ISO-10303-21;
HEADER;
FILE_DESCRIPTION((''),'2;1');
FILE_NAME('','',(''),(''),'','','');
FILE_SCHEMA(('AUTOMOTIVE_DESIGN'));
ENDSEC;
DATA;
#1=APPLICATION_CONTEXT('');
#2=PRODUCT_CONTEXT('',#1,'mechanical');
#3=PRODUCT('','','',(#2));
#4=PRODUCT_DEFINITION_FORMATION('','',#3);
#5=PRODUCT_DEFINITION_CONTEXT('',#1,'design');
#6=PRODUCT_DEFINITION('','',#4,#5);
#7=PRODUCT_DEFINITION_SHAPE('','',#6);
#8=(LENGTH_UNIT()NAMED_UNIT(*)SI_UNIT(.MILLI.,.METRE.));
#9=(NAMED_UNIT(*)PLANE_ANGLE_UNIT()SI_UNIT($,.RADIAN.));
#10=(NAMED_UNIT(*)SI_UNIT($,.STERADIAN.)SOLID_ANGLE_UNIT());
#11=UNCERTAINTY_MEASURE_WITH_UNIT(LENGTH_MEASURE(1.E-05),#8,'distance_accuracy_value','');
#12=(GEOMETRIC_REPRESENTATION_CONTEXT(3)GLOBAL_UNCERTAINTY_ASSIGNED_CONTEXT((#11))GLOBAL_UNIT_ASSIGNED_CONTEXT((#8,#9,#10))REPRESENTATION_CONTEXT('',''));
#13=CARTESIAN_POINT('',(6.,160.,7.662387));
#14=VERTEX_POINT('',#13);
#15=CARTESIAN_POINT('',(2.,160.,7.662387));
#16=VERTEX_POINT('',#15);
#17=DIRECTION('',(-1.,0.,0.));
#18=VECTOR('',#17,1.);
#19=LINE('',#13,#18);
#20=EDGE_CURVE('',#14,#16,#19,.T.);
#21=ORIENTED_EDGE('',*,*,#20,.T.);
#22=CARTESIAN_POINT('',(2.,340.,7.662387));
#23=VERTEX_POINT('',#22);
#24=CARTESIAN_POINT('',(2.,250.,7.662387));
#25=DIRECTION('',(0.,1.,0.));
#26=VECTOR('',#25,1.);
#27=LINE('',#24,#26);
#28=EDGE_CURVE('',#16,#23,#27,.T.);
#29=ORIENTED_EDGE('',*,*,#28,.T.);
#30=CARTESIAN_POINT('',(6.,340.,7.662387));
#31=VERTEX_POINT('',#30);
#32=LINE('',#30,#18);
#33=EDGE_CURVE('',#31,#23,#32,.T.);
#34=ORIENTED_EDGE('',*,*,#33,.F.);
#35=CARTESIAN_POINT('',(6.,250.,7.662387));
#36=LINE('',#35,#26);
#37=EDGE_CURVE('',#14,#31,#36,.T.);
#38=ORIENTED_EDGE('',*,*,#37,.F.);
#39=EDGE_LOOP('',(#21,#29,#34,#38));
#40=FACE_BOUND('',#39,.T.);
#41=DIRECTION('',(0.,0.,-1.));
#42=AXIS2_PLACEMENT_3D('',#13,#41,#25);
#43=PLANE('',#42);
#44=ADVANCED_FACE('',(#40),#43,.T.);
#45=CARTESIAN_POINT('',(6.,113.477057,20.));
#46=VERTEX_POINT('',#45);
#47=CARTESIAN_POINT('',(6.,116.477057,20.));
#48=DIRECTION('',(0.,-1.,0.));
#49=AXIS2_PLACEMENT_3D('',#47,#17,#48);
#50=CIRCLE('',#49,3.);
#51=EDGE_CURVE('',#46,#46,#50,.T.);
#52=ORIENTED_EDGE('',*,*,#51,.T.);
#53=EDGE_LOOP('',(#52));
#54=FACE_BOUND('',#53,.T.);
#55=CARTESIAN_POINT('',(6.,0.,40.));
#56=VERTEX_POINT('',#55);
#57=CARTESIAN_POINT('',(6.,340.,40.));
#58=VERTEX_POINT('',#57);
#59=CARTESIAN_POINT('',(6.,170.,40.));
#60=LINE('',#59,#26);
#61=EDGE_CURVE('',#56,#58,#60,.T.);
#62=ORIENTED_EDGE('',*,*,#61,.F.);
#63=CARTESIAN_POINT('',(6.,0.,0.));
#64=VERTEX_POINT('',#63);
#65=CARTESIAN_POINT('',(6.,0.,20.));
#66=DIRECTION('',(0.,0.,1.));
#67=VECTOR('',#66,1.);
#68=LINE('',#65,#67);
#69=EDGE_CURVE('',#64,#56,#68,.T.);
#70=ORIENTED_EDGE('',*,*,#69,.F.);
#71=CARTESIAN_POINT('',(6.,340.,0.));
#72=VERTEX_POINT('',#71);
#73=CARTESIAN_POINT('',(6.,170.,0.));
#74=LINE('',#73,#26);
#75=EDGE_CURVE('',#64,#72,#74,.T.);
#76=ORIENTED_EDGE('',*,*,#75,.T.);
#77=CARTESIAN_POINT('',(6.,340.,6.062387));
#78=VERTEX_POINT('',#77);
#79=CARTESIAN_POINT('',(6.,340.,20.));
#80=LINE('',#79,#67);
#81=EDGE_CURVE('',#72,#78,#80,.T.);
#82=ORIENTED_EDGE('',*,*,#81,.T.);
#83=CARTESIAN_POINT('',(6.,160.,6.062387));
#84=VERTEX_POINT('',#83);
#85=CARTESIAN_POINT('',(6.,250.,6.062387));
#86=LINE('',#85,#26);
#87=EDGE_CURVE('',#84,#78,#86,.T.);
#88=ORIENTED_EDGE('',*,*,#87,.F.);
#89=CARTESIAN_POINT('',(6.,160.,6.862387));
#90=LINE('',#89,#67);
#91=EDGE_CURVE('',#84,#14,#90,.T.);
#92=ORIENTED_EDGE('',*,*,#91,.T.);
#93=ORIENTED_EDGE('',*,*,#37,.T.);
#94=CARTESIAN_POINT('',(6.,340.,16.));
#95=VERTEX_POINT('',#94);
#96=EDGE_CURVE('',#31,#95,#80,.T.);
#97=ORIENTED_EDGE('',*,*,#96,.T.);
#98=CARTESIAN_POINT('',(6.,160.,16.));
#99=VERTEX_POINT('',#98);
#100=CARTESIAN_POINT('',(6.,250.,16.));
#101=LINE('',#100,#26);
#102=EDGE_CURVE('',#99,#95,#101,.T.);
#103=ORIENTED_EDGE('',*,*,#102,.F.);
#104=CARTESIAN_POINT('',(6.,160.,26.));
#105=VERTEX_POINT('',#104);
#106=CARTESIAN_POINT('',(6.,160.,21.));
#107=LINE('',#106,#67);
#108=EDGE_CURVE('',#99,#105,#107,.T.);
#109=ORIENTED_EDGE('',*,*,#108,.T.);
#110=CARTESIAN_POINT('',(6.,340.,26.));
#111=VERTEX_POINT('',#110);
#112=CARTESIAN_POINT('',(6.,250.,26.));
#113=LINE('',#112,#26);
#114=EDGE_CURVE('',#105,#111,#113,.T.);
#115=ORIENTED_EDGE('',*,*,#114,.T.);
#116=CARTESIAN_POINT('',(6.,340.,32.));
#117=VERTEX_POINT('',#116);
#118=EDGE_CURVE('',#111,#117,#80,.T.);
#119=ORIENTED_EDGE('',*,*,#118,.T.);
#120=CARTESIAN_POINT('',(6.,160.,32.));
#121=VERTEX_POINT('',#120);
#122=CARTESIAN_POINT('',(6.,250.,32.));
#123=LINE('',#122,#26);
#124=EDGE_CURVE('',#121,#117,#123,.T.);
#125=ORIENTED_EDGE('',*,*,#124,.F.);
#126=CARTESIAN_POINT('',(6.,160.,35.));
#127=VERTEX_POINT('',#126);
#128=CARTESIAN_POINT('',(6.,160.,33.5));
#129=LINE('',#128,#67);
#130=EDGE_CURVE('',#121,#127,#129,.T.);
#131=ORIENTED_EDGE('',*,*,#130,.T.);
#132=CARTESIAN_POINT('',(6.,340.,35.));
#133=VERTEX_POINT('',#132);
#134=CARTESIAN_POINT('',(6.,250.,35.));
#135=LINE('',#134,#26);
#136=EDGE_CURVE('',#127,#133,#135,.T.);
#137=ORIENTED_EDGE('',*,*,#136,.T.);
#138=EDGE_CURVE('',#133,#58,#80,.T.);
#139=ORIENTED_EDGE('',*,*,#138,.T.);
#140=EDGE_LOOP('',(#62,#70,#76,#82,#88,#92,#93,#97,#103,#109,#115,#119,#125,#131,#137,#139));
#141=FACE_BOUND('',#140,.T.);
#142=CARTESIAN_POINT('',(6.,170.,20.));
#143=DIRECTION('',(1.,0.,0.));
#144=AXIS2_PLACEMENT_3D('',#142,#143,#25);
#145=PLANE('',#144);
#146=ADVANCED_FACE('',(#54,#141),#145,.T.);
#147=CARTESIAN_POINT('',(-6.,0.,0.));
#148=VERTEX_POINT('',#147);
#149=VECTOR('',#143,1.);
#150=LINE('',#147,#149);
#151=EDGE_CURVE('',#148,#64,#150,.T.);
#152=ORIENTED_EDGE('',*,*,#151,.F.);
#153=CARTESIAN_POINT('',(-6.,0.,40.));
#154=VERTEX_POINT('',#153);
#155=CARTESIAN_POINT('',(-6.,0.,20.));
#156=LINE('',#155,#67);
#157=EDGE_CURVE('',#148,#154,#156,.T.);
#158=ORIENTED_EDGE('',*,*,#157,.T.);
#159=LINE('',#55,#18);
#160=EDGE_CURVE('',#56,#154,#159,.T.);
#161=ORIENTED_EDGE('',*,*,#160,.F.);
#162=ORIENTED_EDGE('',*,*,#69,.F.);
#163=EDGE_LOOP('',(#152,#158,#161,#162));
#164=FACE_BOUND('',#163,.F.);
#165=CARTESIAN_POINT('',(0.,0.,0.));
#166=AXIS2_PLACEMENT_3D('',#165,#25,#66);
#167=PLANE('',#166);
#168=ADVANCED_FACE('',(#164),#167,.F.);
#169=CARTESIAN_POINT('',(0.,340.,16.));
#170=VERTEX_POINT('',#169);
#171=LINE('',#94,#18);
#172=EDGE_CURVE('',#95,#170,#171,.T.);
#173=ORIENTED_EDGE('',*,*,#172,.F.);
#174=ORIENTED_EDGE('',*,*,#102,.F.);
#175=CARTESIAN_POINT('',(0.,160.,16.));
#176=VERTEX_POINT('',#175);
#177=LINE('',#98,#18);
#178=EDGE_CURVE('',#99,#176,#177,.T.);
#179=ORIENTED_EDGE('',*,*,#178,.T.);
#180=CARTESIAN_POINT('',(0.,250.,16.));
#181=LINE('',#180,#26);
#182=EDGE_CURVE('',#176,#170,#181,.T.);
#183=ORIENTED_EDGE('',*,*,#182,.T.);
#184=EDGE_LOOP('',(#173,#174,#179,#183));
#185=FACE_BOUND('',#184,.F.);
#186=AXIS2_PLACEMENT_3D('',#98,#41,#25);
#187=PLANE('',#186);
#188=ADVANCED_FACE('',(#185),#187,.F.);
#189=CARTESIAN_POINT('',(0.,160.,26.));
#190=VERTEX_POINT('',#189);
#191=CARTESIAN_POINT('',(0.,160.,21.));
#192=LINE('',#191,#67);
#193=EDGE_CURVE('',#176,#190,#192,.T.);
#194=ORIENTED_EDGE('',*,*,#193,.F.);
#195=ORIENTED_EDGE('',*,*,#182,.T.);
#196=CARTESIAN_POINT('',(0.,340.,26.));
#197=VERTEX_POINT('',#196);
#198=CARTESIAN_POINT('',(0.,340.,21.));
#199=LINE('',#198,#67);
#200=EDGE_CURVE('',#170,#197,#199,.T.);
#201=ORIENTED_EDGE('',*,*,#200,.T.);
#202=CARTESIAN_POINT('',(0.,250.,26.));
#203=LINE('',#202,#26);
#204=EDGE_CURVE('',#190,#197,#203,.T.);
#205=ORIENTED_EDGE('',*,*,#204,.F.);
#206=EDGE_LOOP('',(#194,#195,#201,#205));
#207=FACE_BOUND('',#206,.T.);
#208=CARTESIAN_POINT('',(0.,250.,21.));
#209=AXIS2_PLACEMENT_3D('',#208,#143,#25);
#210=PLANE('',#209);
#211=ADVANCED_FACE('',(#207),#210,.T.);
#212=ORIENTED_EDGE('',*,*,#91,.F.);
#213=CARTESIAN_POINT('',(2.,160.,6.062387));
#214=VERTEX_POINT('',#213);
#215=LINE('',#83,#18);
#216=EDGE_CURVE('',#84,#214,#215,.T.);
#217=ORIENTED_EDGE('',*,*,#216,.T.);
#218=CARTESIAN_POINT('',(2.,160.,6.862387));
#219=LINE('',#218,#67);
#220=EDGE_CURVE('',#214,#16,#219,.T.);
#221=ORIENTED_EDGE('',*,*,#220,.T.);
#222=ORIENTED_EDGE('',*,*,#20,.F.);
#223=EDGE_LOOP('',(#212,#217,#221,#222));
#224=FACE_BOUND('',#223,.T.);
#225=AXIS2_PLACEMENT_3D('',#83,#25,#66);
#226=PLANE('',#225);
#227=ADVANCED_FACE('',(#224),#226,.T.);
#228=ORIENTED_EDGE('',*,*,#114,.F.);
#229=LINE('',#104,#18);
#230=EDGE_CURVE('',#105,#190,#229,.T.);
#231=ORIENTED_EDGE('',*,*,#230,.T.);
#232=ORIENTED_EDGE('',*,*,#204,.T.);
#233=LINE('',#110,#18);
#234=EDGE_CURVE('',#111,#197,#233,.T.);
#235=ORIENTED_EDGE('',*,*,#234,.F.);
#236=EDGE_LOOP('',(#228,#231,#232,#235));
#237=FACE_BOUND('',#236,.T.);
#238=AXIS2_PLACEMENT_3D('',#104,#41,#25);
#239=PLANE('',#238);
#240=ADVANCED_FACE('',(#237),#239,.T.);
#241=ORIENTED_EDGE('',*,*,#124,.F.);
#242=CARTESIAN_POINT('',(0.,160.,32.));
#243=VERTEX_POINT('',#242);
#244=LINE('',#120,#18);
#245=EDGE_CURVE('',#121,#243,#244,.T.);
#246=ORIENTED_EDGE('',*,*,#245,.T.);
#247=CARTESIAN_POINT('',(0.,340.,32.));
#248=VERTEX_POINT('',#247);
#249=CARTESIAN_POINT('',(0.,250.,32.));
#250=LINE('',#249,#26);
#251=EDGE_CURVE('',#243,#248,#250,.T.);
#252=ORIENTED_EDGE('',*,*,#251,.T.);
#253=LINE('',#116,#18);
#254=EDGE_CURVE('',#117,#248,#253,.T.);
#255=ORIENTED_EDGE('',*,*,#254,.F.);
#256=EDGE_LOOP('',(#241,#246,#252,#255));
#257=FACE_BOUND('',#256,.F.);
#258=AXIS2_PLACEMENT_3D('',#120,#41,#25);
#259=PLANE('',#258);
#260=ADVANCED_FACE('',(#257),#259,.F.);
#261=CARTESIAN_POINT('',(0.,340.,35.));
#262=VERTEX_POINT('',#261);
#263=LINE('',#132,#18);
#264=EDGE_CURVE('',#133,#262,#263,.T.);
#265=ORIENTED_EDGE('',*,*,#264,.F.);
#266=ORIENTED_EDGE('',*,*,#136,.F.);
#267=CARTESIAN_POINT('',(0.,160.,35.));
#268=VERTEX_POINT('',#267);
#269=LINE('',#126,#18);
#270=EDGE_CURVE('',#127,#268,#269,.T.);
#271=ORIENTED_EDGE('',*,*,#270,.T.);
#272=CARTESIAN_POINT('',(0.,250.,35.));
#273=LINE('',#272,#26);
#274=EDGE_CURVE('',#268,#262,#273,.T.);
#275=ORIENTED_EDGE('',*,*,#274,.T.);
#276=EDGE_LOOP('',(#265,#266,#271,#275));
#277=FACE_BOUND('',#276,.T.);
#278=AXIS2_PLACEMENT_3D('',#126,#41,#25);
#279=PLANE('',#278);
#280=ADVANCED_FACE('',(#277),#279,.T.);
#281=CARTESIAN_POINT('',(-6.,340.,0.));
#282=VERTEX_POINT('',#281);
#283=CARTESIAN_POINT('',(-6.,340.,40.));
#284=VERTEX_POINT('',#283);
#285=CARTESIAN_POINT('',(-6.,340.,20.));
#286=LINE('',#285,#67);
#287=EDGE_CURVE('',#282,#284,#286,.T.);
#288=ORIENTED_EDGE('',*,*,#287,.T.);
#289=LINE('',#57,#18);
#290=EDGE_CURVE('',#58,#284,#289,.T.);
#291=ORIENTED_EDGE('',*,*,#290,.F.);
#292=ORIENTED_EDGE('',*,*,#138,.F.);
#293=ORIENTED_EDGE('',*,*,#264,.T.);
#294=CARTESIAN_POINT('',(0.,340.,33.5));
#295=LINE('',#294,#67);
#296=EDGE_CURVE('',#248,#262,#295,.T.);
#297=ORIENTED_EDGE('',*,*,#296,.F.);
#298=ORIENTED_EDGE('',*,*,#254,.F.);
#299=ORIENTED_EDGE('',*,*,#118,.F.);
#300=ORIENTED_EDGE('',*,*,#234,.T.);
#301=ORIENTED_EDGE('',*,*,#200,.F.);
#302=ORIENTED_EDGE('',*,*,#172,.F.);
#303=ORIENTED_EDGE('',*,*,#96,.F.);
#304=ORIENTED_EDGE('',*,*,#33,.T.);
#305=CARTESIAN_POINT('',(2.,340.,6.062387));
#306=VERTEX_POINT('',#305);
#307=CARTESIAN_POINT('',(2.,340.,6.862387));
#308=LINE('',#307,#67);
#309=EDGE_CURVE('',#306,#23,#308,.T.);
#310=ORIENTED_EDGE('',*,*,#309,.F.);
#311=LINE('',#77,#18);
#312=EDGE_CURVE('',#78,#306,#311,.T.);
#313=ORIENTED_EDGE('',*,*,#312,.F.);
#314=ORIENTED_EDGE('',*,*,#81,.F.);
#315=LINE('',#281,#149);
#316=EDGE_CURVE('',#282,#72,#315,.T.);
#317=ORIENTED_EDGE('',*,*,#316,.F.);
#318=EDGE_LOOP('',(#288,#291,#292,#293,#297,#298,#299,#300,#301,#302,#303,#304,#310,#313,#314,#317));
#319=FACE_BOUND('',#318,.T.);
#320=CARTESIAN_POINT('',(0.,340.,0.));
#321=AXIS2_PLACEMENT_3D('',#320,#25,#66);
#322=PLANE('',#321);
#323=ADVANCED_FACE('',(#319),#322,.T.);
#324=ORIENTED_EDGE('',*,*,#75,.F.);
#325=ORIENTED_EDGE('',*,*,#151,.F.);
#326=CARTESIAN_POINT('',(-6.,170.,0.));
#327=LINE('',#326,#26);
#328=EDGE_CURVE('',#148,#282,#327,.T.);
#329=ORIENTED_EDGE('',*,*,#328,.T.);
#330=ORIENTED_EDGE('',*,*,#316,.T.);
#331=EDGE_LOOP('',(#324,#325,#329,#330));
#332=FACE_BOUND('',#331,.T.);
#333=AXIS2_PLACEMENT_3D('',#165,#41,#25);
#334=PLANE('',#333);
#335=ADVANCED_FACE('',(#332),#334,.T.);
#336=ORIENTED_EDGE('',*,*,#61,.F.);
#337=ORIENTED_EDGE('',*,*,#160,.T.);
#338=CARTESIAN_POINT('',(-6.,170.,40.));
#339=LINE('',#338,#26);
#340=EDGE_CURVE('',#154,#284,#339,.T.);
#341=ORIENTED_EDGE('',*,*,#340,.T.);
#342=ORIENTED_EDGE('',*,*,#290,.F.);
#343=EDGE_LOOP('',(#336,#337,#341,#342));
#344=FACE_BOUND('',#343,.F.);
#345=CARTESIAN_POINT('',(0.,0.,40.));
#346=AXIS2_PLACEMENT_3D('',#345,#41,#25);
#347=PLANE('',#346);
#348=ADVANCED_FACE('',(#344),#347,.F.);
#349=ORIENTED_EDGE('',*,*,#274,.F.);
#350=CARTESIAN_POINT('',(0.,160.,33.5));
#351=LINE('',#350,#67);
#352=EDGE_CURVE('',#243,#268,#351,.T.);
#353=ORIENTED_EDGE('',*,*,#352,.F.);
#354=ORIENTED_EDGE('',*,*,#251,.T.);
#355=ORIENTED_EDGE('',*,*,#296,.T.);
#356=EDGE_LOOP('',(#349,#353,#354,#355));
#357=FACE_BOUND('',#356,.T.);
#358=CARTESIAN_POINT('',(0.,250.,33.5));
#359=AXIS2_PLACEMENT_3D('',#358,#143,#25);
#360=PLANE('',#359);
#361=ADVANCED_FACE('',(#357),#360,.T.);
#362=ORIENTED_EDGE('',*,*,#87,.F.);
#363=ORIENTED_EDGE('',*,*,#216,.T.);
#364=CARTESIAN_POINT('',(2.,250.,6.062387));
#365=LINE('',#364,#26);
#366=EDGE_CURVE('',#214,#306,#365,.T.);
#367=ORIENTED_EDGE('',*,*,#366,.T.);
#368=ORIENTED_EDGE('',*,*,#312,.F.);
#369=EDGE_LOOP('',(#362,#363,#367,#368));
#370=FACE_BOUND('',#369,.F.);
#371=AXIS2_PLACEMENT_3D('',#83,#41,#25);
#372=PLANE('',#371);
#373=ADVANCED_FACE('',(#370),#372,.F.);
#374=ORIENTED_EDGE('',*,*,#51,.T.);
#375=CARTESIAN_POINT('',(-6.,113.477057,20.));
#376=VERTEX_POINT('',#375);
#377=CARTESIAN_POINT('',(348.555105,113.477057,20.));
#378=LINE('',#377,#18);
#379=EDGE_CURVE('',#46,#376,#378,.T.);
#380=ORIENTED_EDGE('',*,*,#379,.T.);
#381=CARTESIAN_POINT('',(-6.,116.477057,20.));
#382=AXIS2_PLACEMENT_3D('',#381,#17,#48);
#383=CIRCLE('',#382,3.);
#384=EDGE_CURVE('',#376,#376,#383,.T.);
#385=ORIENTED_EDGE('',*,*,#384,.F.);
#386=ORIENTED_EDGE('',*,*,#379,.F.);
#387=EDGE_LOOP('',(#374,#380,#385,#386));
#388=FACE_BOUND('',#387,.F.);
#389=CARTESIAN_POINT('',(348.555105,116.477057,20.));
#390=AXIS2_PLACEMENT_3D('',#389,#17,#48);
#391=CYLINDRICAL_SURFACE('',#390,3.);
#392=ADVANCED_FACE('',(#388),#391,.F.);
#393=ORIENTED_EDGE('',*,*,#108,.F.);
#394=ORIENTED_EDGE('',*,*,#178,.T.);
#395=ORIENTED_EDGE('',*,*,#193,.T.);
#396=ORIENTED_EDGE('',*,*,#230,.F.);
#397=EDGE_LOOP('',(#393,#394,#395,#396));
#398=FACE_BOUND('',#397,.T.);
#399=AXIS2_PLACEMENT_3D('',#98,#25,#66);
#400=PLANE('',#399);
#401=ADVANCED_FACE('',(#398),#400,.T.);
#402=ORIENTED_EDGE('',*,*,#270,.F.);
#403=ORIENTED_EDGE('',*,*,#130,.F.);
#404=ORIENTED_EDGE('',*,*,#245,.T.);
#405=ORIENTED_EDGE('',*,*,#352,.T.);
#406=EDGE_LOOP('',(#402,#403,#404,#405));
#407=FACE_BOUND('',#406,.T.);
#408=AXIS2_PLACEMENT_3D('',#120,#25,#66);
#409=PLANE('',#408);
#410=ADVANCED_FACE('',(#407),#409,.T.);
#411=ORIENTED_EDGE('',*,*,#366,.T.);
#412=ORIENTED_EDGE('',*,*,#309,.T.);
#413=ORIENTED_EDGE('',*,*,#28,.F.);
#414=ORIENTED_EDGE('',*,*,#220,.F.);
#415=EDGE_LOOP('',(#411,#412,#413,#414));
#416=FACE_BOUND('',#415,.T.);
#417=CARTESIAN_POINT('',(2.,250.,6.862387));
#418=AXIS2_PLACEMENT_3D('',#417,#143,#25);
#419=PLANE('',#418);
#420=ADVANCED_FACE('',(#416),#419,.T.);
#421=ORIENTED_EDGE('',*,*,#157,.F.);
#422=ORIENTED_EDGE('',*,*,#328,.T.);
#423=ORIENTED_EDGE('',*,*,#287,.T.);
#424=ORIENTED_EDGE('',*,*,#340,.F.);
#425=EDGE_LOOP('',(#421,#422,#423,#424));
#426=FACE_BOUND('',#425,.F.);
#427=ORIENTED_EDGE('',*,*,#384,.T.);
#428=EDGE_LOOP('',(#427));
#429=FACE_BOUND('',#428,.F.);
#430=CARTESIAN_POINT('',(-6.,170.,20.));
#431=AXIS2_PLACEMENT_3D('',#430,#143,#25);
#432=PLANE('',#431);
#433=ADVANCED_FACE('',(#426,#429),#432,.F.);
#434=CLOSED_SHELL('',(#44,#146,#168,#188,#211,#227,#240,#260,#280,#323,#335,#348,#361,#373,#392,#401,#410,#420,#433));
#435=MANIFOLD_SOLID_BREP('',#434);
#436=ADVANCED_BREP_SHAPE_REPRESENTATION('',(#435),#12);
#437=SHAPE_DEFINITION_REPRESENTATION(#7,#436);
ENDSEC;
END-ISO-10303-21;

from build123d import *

# Parameters (mm, degrees)
F0_W     = 340
F0_H     = 40
F1_DEPTH = 6
F2_W     = 180
F2_H     = 3
F3_DEPTH = 6
F5_D     = 6
F6_W     = 180
F6_H     = 10
F7_DEPTH = 6
F8_W     = 180
F8_H     = 1.6
F9_DEPTH = 4


with BuildPart() as f1:
    # F0 (on Right) → F1 (new body, symmetric)
    with BuildSketch(Plane.YZ):
        with Locations((170, 20)):
            Rectangle(F0_W, F0_H)
    extrude(amount=F1_DEPTH, both=True)

    # F2 (on face) → F3 (cut)
    with BuildSketch(Plane.YZ.offset(6)):
        with Locations((250, 33.5)):
            Rectangle(F2_W, F2_H)
    extrude(amount=-F3_DEPTH, mode=Mode.SUBTRACT)

    # F5 (through all)
    with Locations(Plane.YZ.offset(6)):
        with Locations((116.477057, 20)):
            Hole(F5_D / 2)

    # F6 (on face) → F7 (cut)
    with BuildSketch(Plane.YZ.offset(6)):
        with Locations((250, 21)):
            Rectangle(F6_W, F6_H)
    extrude(amount=-F7_DEPTH, mode=Mode.SUBTRACT)

    # F8 (on face) → F9 (cut)
    with BuildSketch(Plane.YZ.offset(6)):
        with Locations((250, 6.862387)):
            Rectangle(F8_W, F8_H)
    extrude(amount=-F9_DEPTH, mode=Mode.SUBTRACT)


solid = f1.part
